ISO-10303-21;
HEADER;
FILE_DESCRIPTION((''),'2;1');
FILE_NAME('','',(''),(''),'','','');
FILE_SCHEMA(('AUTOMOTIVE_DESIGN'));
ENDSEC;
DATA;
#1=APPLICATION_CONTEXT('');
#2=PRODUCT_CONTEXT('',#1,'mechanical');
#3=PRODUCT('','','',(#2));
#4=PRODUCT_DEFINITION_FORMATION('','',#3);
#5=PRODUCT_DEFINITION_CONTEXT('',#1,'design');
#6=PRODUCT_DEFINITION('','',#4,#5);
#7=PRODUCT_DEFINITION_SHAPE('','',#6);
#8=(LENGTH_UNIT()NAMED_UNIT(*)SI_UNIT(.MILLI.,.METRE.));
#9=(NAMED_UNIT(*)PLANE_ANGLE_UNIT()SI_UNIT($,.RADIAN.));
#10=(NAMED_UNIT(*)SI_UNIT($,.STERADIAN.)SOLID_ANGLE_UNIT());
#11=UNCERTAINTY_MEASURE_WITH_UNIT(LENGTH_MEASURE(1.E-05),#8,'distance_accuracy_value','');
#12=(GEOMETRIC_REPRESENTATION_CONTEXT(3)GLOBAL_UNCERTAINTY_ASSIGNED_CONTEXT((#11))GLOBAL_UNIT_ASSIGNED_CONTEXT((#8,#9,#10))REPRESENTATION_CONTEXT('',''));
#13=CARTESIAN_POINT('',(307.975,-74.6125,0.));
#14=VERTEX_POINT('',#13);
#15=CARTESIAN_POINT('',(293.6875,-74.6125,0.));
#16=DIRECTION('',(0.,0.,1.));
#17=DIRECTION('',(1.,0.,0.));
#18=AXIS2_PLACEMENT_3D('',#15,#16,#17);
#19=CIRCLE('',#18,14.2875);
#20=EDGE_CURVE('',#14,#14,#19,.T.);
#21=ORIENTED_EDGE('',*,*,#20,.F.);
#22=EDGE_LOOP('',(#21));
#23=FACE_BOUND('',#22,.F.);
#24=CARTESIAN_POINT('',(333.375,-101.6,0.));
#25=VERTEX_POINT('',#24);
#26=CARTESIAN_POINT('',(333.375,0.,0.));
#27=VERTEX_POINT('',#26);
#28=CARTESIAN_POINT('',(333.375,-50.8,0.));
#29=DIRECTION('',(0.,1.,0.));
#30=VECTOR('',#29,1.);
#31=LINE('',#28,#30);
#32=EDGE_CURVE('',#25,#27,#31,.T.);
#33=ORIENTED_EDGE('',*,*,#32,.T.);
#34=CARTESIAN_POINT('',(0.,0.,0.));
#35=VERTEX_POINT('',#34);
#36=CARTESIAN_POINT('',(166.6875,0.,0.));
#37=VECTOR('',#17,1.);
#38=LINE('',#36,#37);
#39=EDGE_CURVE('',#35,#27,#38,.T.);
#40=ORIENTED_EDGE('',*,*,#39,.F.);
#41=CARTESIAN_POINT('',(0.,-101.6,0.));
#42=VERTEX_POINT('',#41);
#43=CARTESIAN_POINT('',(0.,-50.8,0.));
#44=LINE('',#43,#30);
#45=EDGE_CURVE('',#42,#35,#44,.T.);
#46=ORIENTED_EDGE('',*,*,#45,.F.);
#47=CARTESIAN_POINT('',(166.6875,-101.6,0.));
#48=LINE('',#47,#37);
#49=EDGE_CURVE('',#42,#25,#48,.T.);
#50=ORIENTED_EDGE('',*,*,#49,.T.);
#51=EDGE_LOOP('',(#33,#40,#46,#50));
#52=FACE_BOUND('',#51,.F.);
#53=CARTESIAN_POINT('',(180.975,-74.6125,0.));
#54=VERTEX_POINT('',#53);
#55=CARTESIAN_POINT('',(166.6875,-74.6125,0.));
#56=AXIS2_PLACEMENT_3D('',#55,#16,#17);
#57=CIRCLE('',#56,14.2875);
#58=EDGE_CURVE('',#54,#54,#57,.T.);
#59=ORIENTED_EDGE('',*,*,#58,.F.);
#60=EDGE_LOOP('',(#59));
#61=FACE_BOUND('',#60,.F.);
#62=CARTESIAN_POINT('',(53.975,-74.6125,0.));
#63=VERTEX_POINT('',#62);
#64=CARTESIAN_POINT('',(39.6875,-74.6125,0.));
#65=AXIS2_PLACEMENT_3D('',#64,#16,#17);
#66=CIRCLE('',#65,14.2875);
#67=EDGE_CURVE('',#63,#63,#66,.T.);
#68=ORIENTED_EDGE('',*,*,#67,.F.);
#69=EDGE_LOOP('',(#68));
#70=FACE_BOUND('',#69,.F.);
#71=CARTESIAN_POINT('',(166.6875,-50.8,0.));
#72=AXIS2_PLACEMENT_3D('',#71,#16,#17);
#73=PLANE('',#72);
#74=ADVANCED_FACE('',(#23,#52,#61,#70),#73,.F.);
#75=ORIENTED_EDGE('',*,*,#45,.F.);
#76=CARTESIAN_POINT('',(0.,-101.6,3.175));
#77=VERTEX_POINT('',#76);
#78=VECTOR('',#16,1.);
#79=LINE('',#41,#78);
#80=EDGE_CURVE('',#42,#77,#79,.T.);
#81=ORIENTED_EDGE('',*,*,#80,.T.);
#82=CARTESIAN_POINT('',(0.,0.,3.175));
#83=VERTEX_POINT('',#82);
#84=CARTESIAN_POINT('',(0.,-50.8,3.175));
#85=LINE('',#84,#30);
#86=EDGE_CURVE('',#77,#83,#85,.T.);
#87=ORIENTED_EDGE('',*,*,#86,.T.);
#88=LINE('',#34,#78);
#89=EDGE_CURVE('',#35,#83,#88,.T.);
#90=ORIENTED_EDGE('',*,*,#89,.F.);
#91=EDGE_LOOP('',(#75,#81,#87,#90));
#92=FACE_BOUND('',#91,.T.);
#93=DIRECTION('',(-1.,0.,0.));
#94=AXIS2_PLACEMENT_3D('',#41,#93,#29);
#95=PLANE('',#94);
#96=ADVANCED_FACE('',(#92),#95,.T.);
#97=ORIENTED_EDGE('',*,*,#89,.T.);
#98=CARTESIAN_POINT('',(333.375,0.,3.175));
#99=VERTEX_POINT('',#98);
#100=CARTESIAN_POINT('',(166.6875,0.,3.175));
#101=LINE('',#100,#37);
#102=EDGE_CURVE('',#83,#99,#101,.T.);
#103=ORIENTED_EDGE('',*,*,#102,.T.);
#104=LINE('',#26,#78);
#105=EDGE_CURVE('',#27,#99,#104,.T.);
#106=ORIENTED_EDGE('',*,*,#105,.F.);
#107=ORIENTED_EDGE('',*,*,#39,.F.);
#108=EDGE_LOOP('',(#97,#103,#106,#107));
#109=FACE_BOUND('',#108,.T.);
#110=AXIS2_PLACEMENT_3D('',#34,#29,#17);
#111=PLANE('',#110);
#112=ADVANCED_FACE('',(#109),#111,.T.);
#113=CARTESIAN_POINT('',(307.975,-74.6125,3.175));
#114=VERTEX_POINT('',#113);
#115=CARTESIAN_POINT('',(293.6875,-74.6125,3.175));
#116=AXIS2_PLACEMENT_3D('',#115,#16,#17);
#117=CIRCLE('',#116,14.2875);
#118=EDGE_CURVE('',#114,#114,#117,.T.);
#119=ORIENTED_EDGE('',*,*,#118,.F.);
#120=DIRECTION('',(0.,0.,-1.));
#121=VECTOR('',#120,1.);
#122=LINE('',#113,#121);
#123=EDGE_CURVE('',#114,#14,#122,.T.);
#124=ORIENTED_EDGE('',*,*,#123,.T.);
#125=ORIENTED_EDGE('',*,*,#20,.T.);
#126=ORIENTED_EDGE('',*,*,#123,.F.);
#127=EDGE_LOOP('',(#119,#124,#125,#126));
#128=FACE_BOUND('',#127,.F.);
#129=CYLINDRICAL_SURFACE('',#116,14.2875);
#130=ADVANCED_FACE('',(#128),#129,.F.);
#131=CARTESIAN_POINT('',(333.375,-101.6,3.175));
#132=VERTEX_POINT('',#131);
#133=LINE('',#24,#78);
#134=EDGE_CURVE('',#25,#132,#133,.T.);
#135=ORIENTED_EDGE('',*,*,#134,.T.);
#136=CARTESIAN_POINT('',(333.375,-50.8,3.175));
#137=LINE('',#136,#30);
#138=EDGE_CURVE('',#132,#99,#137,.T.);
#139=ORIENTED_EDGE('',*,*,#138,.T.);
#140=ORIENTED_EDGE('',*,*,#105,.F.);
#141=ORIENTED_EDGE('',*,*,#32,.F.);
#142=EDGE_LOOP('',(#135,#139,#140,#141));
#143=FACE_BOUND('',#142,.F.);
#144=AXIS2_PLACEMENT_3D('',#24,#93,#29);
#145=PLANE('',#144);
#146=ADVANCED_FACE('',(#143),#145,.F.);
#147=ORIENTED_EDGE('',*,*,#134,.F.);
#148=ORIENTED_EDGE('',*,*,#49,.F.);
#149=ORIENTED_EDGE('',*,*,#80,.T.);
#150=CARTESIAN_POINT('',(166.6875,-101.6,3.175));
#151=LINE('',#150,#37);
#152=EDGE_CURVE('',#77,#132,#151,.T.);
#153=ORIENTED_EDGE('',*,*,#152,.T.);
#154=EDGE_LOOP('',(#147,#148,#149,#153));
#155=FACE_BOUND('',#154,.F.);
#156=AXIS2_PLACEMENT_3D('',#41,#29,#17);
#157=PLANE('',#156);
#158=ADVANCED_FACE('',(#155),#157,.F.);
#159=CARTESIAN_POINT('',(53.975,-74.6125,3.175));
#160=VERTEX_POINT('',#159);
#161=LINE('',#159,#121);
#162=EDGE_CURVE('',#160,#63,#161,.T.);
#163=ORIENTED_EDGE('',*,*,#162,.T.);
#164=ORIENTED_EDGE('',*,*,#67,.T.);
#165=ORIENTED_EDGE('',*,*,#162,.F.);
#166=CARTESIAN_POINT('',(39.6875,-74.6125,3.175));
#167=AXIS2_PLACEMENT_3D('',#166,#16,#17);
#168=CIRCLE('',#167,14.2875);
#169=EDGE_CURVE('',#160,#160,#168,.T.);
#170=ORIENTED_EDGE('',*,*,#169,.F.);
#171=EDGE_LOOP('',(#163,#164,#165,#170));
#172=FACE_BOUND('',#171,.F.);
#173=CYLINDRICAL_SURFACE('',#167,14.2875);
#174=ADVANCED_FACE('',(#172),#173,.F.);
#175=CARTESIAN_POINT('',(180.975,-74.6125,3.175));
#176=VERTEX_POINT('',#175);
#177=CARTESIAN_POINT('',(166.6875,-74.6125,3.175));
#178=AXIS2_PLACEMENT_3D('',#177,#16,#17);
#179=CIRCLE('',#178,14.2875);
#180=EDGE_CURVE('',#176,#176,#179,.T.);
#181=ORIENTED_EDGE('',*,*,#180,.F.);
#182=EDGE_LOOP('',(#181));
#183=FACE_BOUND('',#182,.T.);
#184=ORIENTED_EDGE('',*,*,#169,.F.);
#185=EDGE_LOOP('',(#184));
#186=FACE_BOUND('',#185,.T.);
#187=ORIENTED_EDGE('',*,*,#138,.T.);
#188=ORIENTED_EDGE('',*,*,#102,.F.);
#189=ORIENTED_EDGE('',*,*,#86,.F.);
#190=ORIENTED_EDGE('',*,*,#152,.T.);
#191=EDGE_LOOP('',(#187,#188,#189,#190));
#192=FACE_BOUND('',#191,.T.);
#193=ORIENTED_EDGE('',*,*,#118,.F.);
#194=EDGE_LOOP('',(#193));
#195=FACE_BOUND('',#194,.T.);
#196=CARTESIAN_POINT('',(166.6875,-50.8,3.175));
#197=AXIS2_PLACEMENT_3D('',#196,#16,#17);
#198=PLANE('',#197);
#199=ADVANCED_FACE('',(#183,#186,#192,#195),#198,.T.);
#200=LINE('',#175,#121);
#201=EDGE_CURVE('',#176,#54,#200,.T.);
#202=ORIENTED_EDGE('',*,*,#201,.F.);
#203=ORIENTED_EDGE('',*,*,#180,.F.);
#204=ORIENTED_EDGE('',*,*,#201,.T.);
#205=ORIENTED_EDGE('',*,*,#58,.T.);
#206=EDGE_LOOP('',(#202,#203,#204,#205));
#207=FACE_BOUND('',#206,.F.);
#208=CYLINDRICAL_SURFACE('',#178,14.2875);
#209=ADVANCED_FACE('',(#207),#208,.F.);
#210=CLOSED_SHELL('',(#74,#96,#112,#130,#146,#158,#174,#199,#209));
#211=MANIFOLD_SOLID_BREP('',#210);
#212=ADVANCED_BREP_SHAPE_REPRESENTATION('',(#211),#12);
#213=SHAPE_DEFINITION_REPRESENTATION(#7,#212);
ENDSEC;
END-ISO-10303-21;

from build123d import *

# Parameters (mm, degrees)
F0_W     = 333.375
F0_H     = 101.6
F1_DEPTH = 3.175
F2_R     = 14.2875
F3_DEPTH = 25.4


with BuildPart() as f1:
    # F0 (on Top) → F1 (new body)
    with BuildSketch(Plane.XY):
        with Locations((166.6875, -50.8)):
            Rectangle(F0_W, F0_H)
    extrude(amount=F1_DEPTH)

    # F2 (on face) → F3 (cut)
    with BuildSketch(Plane.XY.offset(3.175)):
        with Locations((39.6875, -74.6125)):
            Circle(F2_R)
        with Locations((166.6875, -74.6125)):
            Circle(F2_R)
        with Locations((293.6875, -74.6125)):
            Circle(F2_R)
    extrude(amount=-F3_DEPTH, mode=Mode.SUBTRACT)


solid = f1.part
